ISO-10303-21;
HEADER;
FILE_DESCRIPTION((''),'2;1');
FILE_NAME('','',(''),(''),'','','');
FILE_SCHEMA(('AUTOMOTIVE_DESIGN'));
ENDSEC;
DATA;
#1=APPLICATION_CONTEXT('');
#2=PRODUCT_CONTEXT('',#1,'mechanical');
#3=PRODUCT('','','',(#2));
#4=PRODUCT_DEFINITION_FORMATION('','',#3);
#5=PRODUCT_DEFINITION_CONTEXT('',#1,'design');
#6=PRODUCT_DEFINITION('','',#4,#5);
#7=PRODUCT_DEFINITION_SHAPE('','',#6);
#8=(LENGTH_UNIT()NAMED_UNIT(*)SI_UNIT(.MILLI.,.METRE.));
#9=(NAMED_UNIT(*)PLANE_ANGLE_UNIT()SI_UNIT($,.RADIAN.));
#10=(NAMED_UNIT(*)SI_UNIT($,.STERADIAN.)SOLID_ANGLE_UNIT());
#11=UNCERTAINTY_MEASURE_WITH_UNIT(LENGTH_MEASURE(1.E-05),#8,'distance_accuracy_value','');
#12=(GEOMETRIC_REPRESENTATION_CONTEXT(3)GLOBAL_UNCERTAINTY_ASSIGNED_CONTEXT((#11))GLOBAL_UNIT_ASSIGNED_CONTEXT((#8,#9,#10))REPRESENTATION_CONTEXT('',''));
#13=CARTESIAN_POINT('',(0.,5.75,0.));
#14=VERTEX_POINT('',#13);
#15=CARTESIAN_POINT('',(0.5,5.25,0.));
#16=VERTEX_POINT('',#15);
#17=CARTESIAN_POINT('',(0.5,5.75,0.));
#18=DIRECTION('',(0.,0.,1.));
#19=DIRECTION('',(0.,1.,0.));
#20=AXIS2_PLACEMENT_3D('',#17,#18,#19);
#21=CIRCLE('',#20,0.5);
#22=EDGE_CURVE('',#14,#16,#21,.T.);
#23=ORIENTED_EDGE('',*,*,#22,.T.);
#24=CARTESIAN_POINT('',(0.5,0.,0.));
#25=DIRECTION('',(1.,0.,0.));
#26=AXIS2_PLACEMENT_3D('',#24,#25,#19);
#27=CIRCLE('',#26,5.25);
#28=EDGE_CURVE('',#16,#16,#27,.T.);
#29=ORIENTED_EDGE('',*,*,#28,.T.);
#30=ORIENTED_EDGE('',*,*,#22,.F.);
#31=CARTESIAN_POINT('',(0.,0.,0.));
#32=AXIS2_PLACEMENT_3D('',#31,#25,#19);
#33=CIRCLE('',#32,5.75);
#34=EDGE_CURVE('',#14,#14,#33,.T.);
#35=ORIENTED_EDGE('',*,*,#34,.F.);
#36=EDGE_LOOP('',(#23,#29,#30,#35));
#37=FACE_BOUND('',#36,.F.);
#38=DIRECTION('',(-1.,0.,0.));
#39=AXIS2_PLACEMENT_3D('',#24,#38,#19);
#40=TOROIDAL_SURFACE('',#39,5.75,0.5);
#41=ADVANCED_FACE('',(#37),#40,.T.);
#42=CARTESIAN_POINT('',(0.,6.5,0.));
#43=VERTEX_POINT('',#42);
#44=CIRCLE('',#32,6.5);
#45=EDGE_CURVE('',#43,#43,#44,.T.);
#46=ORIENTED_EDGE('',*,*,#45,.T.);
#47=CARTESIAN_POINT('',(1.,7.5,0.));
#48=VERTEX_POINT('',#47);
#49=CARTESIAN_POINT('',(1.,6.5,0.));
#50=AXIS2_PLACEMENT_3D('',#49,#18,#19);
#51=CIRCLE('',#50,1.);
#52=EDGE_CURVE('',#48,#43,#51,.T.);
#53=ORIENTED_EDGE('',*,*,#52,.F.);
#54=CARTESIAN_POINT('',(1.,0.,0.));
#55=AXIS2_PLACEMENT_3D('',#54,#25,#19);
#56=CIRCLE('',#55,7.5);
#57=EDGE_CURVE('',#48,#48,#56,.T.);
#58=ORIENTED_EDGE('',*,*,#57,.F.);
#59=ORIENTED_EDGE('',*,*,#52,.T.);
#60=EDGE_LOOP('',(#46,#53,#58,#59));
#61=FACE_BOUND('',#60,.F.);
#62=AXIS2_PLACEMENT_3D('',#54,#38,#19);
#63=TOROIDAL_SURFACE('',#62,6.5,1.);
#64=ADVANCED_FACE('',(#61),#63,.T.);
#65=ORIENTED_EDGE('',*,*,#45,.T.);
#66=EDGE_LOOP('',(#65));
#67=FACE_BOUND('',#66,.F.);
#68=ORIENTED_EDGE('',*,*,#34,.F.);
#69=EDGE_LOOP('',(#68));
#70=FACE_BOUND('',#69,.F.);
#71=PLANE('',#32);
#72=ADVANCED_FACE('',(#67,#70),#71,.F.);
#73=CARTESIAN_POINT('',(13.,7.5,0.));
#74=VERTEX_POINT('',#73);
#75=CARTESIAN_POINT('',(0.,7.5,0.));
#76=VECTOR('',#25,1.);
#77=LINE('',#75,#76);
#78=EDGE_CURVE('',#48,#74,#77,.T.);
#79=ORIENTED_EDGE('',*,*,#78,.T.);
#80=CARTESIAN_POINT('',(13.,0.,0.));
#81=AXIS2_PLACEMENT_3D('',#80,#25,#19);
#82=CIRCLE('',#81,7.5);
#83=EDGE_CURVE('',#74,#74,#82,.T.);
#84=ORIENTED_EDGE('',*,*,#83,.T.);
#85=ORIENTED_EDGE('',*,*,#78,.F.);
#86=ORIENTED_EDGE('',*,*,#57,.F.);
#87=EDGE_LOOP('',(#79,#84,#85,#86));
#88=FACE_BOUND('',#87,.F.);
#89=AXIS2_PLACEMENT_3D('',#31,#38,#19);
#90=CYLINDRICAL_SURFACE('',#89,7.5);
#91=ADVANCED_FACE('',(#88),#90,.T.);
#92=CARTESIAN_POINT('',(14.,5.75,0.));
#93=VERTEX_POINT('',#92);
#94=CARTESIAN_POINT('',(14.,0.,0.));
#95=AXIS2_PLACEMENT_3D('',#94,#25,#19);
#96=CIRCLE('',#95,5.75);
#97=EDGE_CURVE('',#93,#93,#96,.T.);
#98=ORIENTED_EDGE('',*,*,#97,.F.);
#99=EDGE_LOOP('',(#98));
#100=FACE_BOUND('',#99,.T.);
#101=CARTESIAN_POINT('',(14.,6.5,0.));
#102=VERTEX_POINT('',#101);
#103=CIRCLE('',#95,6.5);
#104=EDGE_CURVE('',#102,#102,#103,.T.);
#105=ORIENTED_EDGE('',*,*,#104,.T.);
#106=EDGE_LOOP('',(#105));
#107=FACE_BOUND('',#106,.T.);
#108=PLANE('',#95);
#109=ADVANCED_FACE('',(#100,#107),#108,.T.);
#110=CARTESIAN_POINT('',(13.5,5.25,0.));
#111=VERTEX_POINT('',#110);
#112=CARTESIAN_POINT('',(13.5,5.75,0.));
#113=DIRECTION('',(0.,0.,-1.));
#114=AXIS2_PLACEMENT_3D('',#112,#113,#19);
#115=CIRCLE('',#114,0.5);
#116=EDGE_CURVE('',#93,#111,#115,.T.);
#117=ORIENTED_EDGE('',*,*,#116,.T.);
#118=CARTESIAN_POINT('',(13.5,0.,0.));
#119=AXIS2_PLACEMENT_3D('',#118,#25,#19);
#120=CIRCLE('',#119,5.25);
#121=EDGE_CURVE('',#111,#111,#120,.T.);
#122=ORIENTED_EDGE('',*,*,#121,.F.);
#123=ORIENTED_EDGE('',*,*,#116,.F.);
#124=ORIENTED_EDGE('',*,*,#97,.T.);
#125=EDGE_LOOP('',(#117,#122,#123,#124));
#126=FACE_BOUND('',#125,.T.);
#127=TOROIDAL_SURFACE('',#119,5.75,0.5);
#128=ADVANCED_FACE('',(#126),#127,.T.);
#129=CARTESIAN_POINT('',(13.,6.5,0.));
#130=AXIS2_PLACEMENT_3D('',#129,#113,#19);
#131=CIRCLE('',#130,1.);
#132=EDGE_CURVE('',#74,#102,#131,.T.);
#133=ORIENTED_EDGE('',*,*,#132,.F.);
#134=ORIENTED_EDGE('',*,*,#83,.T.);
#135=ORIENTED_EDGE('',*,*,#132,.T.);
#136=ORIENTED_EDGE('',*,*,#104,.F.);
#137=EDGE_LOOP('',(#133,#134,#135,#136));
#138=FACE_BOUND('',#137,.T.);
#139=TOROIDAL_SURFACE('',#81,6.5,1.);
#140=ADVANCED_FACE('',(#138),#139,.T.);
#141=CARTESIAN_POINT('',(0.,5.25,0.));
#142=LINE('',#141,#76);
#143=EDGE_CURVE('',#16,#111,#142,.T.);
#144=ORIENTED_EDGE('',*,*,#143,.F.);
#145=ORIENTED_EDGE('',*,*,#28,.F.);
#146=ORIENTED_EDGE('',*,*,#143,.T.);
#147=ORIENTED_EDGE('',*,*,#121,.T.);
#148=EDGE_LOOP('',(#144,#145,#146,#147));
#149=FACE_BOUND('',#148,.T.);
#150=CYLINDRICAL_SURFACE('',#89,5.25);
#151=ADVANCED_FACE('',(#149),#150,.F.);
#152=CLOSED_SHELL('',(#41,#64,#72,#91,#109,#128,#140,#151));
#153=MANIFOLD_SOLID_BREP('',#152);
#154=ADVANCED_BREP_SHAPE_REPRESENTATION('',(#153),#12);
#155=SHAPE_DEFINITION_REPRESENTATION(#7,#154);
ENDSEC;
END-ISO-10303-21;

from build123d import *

# Parameters (mm, degrees)
F0_R     = 7.5
F0_R_2   = 5.25
F1_DEPTH = 14
F2_R     = 1
F3_R     = 0.5


with BuildPart() as f1:
    # F0 (on Right) → F1 (new body)
    with BuildSketch(Plane.YZ):
        Circle(F0_R)
        Circle(F0_R_2, mode=Mode.SUBTRACT)
    extrude(amount=F1_DEPTH)

    # F2
    f2_edges = [f1.edges().sort_by_distance(p)[0] for p in [
        (0, -7.5, 0),
        (14, -7.5, 0),
    ]]
    fillet(f2_edges, radius=F2_R)

    # F3
    f3_edges = [f1.edges().sort_by_distance(p)[0] for p in [
        (14, -5.25, 0),
        (7, 5.25, 0),
        (0, -5.25, 0),
    ]]
    fillet(f3_edges, radius=F3_R)


solid = f1.part
